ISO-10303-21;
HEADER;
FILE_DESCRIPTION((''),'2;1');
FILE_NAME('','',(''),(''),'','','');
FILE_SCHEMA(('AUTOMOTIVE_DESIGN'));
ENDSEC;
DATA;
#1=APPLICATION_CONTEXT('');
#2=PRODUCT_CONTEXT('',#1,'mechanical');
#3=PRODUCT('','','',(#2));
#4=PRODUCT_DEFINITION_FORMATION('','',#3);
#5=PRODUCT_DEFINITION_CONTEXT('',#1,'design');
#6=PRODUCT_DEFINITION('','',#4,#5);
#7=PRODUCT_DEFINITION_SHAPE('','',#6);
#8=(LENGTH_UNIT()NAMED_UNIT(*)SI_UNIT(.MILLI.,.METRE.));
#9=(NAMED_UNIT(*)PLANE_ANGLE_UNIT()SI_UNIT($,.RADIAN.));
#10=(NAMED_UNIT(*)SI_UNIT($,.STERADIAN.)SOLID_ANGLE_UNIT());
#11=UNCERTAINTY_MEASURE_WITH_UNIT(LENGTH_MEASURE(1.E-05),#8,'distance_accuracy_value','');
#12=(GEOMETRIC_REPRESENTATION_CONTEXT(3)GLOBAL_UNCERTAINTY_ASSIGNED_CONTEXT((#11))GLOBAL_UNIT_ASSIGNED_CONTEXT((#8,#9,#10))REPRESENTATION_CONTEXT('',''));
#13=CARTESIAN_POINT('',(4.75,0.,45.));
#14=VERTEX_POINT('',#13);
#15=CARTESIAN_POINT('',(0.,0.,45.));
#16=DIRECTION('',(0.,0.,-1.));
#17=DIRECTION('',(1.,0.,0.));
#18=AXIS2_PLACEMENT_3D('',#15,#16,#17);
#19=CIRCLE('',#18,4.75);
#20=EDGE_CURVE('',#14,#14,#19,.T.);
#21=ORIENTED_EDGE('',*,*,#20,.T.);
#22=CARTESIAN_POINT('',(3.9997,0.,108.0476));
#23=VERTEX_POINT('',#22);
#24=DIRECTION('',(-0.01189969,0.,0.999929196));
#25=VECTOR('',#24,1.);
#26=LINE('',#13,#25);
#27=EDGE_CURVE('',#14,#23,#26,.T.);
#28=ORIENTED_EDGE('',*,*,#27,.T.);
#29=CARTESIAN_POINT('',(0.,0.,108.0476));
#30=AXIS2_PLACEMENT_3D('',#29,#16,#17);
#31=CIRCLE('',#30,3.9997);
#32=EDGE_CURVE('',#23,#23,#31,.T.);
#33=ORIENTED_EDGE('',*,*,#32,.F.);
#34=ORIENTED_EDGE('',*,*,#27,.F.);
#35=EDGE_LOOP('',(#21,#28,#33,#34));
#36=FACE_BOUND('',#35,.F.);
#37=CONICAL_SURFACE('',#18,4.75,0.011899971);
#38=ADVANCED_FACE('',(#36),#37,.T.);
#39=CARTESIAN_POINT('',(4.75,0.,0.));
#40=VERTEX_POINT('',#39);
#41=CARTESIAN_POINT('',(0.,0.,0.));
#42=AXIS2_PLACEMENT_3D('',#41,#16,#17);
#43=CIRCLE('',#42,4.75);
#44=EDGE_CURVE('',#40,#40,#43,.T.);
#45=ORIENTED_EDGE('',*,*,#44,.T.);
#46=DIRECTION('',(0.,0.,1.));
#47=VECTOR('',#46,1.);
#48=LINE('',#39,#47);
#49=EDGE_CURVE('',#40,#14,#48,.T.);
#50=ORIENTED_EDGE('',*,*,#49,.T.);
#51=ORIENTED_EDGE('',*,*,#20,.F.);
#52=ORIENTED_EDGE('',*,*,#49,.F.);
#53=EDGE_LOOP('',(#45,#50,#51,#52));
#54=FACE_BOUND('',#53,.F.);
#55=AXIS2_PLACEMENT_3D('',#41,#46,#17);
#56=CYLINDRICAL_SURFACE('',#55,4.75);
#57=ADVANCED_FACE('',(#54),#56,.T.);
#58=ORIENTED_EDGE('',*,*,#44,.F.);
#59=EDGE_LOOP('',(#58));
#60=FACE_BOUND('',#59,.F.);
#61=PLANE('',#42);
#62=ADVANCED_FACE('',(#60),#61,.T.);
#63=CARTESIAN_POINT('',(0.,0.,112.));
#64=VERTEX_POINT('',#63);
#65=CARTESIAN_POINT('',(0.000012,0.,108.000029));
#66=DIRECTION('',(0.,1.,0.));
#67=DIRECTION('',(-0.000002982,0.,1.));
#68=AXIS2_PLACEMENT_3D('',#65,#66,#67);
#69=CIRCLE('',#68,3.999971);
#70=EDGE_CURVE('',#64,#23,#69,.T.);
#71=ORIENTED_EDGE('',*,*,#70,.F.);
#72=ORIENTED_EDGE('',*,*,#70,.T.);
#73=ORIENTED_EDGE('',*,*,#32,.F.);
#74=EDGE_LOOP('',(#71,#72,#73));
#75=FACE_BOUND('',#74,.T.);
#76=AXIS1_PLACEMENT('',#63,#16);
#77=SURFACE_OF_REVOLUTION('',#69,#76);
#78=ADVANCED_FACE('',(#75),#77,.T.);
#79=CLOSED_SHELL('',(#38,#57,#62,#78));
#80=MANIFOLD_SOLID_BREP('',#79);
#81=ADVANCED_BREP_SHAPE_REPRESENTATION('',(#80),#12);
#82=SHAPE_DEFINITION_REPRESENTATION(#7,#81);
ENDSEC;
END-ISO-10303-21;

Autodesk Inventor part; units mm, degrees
ref_plane "YZ Plane" through (0, 0, 0) normal (1, 0, 0) x (0, 1, 0)
ref_plane "XZ Plane" through (0, 0, 0) normal (0, 1, 0) x (-1, 0, 0)
ref_plane "XY Plane" through (0, 0, 0) normal (0, 0, 1) x (1, 0, 0)
sketch "スケッチ2" plane through (0, 0, 0) normal (0, 1, 0) x (-1, 0, 0)
  line L0 (0, 0) -> (-4.75, 0)
  line L1 (0, 112) -> (0, 0)
  line L2 (-4.75, 0) -> (-4.75, 45)
  arc A0 (0, 112) -> (-3.9997, 108.0476) centre (0, 108) ccw
  line L3 (-4.75, 45) -> (-3.9997, 108.0476)
  dimension "d4" = 4.75
  dimension "d6" = 112
  dimension "d8" = 45
  dimension "d9" = 4
revolve "回転1" add sketch "スケッチ2" angle 360 about axis through (0, 0, 112) along (0, 0, -1)
properties part number "Antenna" material "アセタール樹脂、黒"
